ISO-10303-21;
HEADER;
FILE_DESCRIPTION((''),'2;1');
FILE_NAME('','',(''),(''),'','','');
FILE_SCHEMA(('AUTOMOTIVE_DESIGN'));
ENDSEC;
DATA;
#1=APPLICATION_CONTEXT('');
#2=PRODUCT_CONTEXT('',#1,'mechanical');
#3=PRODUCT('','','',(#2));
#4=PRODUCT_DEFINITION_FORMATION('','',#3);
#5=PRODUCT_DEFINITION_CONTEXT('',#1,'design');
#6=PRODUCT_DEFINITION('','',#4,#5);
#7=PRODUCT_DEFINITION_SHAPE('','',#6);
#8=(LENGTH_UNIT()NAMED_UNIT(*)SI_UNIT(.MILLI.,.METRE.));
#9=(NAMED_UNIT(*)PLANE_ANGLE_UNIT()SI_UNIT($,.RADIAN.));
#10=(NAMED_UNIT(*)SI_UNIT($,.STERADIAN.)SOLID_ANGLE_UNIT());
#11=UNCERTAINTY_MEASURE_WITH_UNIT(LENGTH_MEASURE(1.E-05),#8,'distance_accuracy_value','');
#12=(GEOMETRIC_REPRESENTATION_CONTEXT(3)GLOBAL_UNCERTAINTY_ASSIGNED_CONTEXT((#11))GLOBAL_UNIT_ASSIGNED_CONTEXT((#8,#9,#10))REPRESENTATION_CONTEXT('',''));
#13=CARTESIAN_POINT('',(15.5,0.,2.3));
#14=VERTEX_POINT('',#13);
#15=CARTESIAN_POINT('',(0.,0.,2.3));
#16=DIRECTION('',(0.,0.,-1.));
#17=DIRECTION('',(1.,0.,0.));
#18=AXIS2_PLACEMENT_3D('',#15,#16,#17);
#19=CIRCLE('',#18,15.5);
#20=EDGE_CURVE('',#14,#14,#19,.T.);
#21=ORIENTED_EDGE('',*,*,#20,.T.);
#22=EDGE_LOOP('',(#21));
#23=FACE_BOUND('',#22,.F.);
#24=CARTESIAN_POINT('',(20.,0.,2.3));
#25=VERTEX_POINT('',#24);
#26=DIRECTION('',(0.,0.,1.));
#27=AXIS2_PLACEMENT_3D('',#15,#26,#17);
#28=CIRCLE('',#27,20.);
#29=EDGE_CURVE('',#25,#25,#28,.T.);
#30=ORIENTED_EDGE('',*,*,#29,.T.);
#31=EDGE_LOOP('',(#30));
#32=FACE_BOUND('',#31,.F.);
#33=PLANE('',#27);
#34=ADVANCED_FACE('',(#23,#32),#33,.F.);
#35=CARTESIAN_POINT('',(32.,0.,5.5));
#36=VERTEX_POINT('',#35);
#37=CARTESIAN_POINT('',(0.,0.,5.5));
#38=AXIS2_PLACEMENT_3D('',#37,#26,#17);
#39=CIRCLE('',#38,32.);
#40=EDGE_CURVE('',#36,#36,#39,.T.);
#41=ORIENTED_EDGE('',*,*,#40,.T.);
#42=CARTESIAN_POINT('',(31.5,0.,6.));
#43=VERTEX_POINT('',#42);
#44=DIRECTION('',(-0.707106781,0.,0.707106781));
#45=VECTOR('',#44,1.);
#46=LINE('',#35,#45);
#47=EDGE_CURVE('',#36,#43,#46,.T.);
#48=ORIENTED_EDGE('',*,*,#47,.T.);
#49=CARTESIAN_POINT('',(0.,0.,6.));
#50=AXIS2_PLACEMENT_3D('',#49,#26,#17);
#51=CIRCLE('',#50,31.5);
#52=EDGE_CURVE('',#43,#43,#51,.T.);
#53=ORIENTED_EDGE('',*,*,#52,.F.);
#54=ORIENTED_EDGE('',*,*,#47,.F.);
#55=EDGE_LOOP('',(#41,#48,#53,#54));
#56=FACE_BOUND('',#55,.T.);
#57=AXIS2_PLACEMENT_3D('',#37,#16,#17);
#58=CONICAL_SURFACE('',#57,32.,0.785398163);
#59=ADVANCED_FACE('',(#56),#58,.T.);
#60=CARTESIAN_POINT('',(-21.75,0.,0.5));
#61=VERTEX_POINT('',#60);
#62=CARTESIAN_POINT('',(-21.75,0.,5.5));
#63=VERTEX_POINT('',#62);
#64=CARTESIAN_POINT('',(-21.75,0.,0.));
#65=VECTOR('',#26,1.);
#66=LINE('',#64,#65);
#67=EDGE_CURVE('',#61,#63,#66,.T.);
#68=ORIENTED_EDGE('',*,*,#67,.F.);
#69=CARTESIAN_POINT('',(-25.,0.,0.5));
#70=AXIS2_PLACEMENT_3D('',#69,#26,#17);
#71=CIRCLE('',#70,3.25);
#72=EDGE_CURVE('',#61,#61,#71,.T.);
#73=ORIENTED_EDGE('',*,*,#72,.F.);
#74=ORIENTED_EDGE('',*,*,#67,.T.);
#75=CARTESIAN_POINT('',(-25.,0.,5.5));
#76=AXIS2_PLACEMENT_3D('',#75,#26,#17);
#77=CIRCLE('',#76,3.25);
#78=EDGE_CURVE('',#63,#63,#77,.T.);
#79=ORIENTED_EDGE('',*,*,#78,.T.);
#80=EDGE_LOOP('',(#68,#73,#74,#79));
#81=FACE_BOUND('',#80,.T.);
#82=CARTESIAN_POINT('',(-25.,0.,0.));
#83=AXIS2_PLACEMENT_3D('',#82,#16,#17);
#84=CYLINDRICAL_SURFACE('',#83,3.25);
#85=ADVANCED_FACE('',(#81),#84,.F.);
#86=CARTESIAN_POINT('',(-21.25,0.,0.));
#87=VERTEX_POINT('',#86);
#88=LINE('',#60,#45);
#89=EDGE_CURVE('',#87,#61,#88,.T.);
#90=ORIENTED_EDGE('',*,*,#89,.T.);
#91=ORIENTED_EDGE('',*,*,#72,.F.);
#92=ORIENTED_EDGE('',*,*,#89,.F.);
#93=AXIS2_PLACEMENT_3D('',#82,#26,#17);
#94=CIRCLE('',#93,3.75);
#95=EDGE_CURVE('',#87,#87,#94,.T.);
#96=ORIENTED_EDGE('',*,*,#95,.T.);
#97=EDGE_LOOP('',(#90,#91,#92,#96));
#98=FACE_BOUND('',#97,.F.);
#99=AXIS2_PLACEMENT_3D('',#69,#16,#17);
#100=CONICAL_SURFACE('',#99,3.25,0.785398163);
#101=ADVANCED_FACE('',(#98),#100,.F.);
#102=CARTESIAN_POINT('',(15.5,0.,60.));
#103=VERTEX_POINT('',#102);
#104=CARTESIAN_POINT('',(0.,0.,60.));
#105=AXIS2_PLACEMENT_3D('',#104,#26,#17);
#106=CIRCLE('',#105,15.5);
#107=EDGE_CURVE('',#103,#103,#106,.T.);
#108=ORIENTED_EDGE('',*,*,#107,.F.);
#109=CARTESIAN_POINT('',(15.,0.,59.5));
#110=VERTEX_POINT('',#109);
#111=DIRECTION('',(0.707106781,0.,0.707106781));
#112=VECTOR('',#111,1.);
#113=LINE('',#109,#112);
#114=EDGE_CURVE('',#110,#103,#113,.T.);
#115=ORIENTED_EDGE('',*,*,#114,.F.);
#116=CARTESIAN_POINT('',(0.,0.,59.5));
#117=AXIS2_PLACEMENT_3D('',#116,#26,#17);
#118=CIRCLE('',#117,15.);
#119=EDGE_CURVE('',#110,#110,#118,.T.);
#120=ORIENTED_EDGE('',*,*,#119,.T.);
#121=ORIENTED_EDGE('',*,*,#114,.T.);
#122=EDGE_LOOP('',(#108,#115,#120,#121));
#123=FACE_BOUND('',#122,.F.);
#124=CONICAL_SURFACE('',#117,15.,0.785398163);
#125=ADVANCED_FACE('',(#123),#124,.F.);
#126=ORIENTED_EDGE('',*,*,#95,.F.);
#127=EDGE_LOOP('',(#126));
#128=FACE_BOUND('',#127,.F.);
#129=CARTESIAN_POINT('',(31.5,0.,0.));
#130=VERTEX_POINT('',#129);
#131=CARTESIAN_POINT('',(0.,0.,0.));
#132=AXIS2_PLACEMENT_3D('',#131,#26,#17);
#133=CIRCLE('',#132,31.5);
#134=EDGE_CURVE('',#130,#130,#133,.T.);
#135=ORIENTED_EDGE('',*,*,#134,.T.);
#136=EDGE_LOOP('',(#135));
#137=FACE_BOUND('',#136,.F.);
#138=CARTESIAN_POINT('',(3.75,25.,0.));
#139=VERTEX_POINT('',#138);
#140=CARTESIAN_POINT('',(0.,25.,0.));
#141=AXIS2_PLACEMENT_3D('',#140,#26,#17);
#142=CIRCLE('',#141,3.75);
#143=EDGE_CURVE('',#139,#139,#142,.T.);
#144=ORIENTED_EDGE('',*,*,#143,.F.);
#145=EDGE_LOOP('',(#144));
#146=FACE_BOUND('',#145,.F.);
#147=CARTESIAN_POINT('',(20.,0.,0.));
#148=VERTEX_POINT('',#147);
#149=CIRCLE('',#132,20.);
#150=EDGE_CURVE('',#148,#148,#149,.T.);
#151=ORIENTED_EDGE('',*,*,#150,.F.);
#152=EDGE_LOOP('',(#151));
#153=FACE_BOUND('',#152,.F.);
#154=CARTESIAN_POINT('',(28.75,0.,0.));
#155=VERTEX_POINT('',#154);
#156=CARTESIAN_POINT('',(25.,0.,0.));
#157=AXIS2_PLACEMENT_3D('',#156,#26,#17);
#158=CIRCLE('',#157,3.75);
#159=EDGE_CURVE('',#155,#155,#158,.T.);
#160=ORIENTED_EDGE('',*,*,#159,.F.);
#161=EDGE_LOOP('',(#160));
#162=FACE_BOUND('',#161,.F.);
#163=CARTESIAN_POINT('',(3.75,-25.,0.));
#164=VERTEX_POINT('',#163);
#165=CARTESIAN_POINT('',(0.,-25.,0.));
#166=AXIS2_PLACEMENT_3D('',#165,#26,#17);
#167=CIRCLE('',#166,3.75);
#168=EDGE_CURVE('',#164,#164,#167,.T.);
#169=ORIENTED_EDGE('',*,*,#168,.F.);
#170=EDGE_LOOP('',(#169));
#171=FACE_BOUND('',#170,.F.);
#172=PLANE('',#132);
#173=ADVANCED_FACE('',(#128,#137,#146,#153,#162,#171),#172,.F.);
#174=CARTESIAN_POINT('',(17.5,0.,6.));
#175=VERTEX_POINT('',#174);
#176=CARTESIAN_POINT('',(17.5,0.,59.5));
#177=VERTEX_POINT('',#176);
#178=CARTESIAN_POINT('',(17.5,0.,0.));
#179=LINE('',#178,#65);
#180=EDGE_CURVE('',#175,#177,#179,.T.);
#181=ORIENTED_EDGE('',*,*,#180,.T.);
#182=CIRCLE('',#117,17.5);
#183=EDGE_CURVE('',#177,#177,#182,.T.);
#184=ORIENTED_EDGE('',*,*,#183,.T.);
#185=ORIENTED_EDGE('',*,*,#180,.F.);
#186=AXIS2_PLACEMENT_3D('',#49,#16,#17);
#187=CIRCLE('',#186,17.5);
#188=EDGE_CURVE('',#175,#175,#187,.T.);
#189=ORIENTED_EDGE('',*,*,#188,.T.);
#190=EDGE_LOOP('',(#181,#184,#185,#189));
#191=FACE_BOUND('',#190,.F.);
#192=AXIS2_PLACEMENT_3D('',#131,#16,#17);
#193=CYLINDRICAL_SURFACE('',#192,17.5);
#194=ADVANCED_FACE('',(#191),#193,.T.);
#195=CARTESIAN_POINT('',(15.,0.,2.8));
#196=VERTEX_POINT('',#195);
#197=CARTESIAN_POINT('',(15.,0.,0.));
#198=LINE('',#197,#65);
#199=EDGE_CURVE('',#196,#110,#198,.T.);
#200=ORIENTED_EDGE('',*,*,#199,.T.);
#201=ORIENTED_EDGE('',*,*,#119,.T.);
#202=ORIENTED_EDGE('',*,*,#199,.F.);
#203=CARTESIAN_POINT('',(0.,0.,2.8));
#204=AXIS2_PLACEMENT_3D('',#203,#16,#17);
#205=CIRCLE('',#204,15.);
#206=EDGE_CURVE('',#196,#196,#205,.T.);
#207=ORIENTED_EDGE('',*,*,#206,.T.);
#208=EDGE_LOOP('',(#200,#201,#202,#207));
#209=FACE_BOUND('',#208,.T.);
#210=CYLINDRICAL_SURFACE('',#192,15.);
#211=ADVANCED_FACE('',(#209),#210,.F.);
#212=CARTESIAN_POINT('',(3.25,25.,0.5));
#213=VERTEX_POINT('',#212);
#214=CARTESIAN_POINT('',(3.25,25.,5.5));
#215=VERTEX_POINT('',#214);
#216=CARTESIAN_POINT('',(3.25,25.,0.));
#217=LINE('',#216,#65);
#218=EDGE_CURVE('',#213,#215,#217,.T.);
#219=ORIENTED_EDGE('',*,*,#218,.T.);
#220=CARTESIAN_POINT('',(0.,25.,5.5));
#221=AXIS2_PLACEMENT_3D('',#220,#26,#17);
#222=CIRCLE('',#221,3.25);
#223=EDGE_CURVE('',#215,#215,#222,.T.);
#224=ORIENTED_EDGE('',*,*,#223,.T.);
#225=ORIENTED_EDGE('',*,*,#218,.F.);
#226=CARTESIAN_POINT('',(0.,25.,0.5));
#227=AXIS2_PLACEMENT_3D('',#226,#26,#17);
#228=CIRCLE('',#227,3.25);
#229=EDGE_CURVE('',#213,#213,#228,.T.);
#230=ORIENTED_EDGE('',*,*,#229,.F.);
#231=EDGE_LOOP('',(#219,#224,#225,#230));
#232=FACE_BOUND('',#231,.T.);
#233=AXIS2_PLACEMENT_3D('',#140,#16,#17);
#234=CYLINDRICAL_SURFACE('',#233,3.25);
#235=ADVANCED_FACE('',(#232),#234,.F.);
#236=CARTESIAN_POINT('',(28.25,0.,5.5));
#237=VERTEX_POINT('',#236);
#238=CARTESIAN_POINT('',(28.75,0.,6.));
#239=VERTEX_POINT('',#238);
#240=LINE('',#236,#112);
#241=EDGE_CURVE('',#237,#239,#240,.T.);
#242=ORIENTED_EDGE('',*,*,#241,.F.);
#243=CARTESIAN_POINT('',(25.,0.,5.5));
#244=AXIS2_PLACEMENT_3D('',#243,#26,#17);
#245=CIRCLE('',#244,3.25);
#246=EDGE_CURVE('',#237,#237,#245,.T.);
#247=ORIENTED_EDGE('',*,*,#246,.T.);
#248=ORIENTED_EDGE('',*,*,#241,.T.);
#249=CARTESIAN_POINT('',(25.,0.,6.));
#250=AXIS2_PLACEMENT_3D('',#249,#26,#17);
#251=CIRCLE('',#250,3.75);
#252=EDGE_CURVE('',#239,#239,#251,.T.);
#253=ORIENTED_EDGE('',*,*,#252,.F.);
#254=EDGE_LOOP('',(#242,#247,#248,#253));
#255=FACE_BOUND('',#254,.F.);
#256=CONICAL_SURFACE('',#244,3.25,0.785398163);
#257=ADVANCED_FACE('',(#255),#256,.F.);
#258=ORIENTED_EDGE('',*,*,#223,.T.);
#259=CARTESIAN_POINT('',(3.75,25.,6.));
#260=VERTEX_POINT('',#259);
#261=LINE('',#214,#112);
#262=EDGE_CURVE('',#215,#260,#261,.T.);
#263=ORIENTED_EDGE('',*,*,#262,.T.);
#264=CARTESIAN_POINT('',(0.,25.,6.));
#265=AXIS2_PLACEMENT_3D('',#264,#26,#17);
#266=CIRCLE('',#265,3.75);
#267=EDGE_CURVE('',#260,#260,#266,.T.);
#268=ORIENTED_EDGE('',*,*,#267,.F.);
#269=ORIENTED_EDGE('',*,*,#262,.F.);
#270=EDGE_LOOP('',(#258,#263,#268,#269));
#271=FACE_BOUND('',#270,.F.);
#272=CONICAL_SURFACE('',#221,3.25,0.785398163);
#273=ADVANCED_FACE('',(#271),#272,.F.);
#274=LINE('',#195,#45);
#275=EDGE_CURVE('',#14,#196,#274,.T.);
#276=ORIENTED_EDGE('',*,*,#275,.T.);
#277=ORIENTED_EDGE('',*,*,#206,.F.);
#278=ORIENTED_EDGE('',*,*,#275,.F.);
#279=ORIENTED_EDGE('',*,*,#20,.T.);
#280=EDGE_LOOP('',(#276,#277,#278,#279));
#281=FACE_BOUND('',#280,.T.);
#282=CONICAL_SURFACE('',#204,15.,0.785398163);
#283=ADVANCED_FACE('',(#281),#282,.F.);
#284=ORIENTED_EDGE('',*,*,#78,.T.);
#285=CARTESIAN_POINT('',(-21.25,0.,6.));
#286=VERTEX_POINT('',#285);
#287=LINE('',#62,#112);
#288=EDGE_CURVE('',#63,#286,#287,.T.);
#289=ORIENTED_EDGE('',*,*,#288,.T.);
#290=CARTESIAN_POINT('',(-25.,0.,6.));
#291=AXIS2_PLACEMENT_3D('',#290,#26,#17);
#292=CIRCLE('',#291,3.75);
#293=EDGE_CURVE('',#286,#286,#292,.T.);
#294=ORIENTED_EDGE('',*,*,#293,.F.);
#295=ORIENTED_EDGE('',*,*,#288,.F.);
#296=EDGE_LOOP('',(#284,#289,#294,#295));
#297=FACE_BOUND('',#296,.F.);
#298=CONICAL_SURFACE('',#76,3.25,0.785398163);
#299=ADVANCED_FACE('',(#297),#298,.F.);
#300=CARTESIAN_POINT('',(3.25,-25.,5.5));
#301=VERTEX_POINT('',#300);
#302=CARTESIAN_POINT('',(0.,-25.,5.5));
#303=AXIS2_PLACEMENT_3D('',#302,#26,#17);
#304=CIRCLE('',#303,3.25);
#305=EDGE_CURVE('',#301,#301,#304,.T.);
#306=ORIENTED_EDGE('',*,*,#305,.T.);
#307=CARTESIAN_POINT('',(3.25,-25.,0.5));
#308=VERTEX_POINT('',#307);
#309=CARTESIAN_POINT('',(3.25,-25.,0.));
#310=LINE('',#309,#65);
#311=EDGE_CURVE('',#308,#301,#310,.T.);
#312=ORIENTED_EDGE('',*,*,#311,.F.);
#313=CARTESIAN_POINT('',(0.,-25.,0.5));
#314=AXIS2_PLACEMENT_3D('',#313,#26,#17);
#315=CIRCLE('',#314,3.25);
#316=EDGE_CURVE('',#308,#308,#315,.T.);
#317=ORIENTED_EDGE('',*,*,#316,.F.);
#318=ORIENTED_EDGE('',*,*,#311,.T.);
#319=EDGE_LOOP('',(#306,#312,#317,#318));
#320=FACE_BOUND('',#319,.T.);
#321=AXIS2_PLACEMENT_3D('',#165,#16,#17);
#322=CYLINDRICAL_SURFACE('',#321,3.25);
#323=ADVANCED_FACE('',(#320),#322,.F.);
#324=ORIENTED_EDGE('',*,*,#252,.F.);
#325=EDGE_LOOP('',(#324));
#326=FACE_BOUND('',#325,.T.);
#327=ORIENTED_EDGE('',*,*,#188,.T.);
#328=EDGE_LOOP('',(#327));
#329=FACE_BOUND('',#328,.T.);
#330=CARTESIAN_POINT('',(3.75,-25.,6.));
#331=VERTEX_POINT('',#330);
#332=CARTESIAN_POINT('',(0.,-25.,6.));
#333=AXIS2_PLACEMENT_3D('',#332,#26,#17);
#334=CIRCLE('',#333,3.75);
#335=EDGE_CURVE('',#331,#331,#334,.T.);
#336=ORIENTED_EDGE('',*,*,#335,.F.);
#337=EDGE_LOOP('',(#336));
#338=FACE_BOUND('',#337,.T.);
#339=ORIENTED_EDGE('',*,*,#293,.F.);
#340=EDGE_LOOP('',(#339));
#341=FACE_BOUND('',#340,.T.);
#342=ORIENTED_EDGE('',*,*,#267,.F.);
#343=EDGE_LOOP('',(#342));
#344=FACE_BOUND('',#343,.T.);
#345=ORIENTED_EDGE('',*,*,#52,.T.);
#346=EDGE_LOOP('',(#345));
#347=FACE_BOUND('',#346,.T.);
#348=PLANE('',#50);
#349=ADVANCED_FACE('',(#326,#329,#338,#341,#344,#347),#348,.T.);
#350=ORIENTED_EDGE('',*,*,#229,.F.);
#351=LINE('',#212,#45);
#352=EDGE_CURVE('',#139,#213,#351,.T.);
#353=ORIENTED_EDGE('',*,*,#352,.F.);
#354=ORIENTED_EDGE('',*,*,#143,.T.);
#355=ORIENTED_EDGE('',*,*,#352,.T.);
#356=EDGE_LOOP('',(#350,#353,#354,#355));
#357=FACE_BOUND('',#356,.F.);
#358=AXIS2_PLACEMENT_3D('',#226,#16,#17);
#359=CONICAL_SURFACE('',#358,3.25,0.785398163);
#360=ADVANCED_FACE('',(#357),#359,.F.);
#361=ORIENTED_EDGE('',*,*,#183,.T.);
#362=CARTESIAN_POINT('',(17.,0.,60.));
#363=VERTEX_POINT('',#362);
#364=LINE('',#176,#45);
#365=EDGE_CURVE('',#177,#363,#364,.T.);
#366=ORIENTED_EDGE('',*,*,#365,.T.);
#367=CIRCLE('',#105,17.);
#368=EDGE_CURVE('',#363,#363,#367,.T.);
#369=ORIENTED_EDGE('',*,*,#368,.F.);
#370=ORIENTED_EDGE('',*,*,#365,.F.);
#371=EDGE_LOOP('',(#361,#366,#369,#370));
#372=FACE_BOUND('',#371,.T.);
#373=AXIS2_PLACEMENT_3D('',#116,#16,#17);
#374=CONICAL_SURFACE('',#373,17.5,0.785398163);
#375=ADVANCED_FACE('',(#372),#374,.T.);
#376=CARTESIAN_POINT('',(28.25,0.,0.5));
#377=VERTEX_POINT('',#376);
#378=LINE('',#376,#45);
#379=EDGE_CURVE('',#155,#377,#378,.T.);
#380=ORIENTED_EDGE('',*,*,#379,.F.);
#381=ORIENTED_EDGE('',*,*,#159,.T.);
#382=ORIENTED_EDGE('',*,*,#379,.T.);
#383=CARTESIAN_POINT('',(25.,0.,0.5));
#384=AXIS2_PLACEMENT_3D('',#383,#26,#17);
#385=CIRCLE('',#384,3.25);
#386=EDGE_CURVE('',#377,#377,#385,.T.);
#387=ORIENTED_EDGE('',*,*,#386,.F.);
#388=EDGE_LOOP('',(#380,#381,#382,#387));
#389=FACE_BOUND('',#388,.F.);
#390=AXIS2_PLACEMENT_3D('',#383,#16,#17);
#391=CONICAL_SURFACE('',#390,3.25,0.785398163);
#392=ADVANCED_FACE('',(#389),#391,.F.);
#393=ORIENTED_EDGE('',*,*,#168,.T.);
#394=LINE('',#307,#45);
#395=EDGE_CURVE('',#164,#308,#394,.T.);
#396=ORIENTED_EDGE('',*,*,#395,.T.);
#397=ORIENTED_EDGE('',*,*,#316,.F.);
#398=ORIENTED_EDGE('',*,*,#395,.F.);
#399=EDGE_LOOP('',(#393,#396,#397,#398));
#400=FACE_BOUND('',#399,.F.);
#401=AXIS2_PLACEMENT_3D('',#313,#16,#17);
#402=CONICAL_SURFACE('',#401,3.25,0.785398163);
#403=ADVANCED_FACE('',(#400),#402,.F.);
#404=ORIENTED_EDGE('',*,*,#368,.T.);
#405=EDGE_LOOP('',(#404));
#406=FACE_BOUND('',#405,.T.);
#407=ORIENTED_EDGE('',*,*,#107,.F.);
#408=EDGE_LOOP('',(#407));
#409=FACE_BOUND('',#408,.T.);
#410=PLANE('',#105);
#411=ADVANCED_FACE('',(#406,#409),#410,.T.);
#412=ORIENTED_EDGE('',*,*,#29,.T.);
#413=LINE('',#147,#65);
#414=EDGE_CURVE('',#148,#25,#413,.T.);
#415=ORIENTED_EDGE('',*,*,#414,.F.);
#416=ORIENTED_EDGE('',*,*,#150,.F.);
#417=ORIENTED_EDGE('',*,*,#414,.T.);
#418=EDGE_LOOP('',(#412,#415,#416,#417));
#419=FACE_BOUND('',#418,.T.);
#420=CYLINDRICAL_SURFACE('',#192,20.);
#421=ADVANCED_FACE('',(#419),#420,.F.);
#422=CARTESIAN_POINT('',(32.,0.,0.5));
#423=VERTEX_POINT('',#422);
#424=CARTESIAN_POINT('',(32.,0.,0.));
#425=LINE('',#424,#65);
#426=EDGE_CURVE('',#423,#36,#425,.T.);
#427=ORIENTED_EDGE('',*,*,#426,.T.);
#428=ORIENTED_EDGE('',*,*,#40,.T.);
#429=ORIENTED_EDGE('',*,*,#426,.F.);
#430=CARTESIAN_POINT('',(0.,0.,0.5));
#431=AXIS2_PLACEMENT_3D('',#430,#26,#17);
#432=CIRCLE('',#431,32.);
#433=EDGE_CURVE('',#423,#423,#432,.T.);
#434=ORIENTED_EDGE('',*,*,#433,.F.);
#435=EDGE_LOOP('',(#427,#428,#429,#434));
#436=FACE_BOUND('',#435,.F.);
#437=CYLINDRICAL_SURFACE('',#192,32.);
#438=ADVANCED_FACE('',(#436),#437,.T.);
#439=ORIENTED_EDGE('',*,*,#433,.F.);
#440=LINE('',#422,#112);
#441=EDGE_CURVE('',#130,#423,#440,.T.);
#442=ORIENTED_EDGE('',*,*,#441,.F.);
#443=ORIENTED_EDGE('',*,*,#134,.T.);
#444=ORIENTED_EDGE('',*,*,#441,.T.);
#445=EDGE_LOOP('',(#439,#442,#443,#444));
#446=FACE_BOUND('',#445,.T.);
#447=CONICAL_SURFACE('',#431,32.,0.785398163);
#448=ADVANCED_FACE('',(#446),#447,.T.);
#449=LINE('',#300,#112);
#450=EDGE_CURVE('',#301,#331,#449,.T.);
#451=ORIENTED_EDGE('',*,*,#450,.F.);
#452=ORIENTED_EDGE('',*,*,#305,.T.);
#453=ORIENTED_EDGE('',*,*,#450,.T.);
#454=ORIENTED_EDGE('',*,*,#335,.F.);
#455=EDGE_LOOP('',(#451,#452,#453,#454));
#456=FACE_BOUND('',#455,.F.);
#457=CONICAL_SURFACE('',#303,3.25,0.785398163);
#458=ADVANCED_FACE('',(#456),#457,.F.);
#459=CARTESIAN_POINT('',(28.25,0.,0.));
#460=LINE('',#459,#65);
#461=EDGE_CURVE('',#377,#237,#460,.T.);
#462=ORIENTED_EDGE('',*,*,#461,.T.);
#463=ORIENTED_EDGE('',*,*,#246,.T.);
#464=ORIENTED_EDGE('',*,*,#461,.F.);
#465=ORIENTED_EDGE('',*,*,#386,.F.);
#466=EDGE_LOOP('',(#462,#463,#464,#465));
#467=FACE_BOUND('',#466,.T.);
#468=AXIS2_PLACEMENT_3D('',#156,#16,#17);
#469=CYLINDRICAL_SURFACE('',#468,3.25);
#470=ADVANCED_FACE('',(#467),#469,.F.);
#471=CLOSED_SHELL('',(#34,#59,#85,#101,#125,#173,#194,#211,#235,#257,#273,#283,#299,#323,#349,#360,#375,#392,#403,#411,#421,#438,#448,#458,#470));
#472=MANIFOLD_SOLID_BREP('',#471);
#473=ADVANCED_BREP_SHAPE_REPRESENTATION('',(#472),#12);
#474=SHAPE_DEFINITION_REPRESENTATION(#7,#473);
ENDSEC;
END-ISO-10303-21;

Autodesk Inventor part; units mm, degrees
ref_plane "YZ Plane" through (0, 0, 0) normal (1, 0, 0) x (0, 1, 0)
ref_plane "XZ Plane" through (0, 0, 0) normal (0, 1, 0) x (-1, 0, 0)
ref_plane "XY Plane" through (0, 0, 0) normal (0, 0, 1) x (1, 0, 0)
sketch "Sketch1" plane through (0, 0, 0) normal (0, 0, 1) x (1, 0, 0)
  circle A0 centre (0, 0) radius 32
  circle A1 centre (0, 0) radius 20
  circle A2 centre (0, 0) radius 17.5
  circle A3 centre (0, 0) radius 15
  circle A4 centre (0, 25) radius 3.25
  circle A5 centre (-25, 0) radius 3.25
  circle A6 centre (0, -25) radius 3.25
  circle A7 centre (25, 0) radius 3.25
  dimension "d0" = 64
  dimension "d1" = 40
  dimension "d2" = 35
  dimension "d3" = 30
  dimension "d4" = 6.5
  dimension "d5" = 25
  dimension "d8" = 360
extrude "Extrusion1" add sketch "Sketch1" along normal blind 6 contours A0 | A1 | A2
extrude "Extrusion2" add sketch "Sketch1" along normal blind 60 contours A2
extrude "Extrusion3" cut sketch "Sketch1" along normal blind 2.3 contours A1 | A2 | A3
chamfer "Chamfer1" distance 0.5 angle 45 13 edges at (-32, 0, 0) (-32, 0, 6) (-17.5, 0, 60) (-15, 0, 60) (-15, 0, 2.3) (-3.25, -25, 0) (-28.25, 0, 0) (-3.25, 25, 0) (21.75, 0, 0) (-28.25, 0, 6) (-3.25, -25, 6) (21.75, 0, 6) (-3.25, 25, 6)
properties part number "Cylinder"
